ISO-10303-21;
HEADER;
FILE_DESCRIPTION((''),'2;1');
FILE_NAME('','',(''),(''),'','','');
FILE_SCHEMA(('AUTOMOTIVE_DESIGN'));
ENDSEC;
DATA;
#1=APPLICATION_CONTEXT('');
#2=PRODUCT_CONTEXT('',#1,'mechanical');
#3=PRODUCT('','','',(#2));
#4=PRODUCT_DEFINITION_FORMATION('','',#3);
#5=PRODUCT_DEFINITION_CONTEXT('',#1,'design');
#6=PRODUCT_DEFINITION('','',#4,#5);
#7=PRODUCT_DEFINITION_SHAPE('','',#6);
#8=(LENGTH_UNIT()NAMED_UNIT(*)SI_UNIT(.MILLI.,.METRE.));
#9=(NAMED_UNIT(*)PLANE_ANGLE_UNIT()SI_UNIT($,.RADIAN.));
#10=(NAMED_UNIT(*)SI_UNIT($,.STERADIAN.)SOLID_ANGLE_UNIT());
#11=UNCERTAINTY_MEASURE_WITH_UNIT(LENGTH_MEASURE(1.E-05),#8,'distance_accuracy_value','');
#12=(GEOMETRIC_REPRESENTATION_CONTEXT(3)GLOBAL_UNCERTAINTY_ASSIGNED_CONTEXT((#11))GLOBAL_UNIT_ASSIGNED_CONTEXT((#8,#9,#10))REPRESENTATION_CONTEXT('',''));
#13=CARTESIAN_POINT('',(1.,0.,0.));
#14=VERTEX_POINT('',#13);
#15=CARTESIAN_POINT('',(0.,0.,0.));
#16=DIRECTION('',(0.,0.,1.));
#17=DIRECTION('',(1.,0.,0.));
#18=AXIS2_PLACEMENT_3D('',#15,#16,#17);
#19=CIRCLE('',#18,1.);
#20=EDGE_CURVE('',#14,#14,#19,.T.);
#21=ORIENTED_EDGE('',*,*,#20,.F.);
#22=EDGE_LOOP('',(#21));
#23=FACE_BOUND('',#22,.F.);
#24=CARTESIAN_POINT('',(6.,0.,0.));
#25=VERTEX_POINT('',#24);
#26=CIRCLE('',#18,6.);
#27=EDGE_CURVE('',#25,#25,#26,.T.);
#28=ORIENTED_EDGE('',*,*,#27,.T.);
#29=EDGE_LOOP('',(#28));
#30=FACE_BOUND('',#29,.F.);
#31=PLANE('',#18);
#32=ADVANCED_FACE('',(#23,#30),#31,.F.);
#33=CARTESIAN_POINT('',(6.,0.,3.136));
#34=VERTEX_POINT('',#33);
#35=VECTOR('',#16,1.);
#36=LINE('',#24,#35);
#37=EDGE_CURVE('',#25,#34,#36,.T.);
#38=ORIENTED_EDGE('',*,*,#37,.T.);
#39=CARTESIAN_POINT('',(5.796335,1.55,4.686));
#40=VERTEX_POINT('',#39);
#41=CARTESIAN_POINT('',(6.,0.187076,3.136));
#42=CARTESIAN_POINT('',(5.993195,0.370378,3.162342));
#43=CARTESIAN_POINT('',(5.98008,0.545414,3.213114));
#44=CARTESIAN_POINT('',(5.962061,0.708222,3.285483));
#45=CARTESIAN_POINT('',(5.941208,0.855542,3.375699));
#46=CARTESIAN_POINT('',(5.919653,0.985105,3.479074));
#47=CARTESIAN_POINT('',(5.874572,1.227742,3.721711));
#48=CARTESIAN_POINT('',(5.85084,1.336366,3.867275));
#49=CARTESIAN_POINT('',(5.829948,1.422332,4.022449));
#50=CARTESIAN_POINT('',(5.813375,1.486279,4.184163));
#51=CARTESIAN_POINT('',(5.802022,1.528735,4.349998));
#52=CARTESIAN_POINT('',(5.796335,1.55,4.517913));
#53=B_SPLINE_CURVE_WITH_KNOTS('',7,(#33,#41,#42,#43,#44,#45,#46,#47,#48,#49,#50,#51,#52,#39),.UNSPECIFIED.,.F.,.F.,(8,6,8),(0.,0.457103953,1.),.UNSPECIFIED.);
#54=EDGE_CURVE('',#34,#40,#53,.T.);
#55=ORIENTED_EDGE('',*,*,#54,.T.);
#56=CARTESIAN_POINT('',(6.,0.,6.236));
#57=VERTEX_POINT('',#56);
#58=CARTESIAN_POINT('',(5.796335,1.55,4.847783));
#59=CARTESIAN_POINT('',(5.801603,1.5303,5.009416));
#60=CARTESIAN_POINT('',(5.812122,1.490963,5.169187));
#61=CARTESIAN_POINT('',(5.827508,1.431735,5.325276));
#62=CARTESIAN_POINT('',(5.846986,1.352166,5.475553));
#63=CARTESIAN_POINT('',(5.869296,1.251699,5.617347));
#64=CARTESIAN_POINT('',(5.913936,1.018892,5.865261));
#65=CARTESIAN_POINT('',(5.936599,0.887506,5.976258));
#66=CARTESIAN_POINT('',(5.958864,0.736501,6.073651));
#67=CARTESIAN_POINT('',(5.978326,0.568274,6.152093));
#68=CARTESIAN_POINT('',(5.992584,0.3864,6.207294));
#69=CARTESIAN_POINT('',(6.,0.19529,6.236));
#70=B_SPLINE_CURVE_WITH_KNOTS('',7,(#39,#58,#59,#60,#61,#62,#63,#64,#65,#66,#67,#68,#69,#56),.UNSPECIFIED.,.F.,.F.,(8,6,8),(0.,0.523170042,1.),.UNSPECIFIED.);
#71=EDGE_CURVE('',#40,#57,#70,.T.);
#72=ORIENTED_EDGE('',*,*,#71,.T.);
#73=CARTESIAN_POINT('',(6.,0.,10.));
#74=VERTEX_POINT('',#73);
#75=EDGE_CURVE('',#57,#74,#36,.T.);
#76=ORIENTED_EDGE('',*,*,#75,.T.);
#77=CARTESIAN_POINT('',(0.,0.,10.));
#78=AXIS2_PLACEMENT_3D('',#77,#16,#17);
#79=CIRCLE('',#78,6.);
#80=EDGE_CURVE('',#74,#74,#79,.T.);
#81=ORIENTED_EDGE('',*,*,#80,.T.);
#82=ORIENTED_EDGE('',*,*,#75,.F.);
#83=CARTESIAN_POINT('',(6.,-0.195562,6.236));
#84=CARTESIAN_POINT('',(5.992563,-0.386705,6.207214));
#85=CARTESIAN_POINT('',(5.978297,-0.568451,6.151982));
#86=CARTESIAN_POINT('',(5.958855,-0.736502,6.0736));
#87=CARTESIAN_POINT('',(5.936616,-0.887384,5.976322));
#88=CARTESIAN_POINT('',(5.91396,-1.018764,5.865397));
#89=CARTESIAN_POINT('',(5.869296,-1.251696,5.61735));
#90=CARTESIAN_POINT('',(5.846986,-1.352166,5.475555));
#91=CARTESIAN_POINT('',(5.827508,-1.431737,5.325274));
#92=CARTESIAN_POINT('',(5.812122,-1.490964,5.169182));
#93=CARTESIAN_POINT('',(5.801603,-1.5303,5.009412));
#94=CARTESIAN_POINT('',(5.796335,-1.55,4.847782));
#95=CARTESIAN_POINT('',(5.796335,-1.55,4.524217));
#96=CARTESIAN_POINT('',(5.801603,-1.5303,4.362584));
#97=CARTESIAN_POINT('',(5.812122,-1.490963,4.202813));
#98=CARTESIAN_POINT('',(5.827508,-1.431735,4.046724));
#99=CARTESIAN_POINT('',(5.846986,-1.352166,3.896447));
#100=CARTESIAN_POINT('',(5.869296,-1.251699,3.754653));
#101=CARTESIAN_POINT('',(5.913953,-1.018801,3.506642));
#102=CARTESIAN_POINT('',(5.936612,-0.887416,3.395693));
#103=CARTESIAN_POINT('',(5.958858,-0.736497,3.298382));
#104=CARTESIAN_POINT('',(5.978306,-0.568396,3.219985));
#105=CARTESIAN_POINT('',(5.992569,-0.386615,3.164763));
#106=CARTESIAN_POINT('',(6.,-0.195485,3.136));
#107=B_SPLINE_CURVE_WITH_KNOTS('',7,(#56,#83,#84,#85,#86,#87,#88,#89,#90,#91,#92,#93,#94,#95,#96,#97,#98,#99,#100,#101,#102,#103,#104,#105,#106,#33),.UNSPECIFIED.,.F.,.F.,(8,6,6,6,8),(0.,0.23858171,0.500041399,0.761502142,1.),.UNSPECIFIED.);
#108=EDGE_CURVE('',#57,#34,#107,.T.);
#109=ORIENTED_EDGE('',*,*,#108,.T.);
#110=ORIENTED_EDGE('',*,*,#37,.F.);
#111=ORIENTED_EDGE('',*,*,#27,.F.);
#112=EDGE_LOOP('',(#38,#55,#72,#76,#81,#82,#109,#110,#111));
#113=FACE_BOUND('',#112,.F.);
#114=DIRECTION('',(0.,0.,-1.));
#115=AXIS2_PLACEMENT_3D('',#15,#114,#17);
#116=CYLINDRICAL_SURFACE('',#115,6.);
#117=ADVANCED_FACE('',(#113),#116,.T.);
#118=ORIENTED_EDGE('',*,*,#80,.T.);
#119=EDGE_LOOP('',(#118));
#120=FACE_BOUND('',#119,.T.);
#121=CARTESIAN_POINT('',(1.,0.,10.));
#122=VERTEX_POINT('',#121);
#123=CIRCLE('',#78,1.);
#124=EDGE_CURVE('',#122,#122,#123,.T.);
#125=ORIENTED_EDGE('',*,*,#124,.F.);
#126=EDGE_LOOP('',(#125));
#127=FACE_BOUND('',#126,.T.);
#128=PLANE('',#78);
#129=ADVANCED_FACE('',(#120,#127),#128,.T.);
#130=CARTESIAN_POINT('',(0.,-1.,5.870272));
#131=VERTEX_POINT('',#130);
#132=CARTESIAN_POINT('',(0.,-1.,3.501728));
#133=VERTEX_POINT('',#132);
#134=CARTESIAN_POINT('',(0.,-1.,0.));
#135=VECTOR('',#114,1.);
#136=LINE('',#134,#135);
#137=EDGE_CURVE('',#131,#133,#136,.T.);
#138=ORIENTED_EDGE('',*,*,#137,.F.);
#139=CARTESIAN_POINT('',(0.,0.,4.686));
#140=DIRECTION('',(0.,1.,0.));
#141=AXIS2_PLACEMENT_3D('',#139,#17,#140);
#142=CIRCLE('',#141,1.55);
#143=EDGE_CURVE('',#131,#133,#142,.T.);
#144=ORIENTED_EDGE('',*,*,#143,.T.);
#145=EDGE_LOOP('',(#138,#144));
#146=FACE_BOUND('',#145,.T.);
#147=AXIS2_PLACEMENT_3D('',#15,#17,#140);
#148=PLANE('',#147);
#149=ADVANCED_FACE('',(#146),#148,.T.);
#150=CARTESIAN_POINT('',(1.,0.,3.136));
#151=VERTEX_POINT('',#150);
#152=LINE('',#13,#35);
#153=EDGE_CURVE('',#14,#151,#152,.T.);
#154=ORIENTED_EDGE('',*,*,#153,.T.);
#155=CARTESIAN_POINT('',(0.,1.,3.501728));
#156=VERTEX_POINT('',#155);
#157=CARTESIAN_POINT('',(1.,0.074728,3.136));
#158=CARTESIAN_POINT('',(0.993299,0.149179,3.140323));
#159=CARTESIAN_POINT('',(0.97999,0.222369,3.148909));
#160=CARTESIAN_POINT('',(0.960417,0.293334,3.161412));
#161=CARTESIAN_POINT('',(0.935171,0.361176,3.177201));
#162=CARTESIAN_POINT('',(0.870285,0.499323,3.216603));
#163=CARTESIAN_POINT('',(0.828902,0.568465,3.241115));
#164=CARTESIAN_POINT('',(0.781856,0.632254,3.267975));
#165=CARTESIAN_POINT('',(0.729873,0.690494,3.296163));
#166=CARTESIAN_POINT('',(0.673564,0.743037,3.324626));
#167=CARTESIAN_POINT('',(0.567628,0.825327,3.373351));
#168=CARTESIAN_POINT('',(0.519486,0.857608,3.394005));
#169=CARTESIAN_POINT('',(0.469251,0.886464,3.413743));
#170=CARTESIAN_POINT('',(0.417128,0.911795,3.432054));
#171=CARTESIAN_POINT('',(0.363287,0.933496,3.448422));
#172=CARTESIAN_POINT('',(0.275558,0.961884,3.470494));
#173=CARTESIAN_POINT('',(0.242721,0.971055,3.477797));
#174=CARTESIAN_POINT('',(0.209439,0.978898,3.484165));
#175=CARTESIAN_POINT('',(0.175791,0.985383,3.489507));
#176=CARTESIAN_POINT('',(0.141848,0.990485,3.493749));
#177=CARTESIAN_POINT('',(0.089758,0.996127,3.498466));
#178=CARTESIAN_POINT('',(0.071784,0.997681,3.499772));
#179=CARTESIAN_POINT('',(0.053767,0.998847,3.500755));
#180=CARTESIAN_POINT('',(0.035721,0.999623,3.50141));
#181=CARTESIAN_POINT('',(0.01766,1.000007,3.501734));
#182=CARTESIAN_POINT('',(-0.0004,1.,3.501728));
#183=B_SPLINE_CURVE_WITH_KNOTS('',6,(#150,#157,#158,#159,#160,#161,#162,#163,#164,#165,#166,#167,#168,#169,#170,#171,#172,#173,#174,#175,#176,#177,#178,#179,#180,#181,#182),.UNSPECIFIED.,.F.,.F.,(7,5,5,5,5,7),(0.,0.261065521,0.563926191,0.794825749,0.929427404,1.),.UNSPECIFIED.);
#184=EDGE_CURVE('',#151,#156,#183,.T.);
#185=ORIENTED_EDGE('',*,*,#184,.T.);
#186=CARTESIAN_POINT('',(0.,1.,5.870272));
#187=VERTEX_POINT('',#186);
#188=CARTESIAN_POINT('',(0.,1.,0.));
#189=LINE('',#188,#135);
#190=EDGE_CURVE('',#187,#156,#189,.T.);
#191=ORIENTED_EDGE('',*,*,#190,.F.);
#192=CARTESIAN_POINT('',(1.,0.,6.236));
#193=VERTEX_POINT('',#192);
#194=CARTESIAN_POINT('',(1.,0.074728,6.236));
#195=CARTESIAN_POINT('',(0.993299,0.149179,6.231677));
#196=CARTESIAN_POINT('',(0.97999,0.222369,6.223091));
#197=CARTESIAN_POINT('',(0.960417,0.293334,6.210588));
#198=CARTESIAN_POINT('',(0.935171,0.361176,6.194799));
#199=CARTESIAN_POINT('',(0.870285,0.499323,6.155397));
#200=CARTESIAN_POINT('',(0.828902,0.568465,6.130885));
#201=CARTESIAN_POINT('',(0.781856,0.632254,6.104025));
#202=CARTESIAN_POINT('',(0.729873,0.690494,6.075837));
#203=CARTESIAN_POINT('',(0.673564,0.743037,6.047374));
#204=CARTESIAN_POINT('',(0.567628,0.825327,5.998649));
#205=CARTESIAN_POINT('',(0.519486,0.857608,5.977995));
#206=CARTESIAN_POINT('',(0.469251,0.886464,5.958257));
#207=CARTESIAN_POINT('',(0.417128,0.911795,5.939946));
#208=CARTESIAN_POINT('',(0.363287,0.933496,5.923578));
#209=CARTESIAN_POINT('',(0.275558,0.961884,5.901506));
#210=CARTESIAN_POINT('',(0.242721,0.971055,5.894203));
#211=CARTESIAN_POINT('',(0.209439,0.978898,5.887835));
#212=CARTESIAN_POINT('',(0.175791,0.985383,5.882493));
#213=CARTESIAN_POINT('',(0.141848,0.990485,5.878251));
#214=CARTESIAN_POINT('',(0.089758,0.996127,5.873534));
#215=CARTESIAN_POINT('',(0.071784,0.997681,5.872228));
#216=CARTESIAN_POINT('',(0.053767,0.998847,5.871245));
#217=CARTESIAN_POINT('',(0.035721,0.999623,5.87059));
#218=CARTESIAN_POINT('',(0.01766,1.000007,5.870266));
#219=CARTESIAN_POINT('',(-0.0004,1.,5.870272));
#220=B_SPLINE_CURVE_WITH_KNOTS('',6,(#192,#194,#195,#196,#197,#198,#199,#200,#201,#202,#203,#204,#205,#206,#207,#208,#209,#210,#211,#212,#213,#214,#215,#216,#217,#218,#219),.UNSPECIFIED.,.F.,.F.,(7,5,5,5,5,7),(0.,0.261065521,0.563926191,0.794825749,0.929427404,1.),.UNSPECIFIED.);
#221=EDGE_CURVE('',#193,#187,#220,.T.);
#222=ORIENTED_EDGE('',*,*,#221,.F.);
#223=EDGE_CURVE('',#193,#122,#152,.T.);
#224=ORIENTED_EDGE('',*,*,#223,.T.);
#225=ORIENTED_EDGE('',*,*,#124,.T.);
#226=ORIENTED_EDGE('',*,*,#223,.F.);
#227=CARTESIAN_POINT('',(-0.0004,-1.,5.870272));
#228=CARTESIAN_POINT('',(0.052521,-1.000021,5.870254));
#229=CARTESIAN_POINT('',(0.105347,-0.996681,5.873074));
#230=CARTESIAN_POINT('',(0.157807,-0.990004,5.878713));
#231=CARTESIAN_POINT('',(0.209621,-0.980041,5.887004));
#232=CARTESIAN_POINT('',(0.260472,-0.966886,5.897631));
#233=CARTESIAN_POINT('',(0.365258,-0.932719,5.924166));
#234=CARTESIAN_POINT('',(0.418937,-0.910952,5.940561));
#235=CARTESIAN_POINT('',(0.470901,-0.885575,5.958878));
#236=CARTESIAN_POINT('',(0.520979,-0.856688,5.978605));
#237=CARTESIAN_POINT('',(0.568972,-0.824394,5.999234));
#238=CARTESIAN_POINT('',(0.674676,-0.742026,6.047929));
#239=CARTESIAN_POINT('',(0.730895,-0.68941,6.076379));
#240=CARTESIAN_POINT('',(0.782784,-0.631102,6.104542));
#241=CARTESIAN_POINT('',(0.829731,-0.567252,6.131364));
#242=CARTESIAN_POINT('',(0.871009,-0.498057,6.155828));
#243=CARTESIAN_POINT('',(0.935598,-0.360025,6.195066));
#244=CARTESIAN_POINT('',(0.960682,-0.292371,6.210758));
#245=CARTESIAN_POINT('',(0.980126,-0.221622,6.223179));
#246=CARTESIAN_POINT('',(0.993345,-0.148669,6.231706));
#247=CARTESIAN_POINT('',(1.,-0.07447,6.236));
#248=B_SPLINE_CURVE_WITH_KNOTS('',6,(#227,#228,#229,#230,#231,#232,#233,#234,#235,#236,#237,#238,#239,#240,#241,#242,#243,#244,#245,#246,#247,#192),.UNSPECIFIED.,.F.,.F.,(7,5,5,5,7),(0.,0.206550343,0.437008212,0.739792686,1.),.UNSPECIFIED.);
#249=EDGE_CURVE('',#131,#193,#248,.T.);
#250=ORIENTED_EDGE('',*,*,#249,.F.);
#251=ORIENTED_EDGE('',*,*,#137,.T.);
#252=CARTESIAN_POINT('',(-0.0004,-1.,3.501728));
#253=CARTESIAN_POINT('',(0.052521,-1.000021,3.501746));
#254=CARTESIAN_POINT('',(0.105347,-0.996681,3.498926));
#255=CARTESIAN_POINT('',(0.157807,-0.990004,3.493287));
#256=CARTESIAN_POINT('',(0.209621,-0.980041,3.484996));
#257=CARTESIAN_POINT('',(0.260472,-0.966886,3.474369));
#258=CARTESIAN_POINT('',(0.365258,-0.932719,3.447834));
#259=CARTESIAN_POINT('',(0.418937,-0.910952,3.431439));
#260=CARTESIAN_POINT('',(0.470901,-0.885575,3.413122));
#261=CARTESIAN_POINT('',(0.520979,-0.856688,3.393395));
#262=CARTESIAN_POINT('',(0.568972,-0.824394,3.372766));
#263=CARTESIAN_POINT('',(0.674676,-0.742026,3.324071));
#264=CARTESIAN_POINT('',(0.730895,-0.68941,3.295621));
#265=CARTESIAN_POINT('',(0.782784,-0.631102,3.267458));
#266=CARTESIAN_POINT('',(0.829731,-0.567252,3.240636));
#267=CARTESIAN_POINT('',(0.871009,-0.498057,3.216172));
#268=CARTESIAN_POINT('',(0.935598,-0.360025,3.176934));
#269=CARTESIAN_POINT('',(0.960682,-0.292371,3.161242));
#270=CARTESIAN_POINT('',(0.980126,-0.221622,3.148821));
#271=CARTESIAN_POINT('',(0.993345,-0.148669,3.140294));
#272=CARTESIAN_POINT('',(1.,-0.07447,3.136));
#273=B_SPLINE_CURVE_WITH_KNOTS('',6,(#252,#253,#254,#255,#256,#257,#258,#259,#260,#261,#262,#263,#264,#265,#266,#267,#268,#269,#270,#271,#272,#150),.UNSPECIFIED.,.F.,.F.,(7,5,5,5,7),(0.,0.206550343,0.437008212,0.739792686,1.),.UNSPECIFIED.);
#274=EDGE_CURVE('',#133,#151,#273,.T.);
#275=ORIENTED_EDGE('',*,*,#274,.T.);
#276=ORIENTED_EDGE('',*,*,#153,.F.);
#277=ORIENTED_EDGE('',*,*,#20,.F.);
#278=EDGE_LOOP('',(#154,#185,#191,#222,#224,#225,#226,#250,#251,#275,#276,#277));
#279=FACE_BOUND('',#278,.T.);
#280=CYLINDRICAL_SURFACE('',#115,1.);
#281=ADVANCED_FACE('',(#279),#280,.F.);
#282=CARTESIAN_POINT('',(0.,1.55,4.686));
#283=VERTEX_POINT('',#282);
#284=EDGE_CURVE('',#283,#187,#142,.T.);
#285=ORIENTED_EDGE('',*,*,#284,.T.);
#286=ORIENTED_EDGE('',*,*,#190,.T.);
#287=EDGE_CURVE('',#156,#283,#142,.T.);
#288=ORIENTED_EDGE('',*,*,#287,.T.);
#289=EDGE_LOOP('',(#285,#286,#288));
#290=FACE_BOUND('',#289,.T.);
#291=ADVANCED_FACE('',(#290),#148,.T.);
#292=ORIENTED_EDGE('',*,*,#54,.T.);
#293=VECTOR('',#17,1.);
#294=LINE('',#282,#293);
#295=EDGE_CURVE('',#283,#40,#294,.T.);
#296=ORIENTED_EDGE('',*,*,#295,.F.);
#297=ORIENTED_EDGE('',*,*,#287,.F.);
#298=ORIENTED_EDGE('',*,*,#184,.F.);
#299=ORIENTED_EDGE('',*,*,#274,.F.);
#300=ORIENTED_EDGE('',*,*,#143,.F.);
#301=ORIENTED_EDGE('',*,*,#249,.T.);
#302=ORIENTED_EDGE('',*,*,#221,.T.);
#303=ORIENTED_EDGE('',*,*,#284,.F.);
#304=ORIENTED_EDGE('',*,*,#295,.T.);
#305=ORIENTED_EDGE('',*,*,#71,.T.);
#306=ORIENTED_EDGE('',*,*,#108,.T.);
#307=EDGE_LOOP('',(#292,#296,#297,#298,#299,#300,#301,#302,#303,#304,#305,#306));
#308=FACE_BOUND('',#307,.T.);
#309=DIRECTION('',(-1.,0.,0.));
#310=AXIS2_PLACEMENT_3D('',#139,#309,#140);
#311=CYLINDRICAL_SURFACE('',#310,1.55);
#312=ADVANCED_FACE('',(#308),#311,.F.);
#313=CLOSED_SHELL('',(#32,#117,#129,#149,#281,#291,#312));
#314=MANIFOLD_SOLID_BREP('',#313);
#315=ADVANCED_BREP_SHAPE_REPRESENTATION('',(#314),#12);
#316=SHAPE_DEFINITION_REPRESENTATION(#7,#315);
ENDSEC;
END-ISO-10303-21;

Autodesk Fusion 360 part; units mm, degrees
sketch "Sketch1" plane through (0, 0, 0) normal (0, 0, 1) x (1, 0, 0)
  circle A0 centre (0, 0) radius 6
  circle A1 centre (0, 0) radius 1
  dimension "d1" = 2
  dimension "d12" = 12
extrude "Extrude1" add sketch "Sketch1" along normal blind 10
sketch "Sketch2" plane through (0, 0, 0) normal (1, 0, 0) x (0, 1, 0)
  circle A0 centre (0, 4.686) radius 1.55
  dimension "d4" = 3.1
extrude "Extrude2" cut sketch "Sketch2" along normal blind 12
sketch "Sketch3" plane through (0, 0, 10) normal (0, 0, 1) x (-1, 0, 0)
  circle A0 centre (0, 0) radius 1
  circle A1 centre (0, 0) radius 6
  line L0 (-2, 0.003) -> (-2, 3.003)
  line L1 (-2, 0.003) -> (-2, -2.997)
  line L2 (-2, 3.003) -> (-4.5, 3.003)
  line L3 (-2, -2.997) -> (-4.5, -2.997)
  line L4 (-4.5, 3.003) -> (-4.5, -2.997)
  dimension "d7" = 3
  dimension "d8" = 3
  dimension "d9" = 2.5
  dimension "d10" = 2.5
  dimension "d11" = 2
extrude "Extrude3" [suppressed]
